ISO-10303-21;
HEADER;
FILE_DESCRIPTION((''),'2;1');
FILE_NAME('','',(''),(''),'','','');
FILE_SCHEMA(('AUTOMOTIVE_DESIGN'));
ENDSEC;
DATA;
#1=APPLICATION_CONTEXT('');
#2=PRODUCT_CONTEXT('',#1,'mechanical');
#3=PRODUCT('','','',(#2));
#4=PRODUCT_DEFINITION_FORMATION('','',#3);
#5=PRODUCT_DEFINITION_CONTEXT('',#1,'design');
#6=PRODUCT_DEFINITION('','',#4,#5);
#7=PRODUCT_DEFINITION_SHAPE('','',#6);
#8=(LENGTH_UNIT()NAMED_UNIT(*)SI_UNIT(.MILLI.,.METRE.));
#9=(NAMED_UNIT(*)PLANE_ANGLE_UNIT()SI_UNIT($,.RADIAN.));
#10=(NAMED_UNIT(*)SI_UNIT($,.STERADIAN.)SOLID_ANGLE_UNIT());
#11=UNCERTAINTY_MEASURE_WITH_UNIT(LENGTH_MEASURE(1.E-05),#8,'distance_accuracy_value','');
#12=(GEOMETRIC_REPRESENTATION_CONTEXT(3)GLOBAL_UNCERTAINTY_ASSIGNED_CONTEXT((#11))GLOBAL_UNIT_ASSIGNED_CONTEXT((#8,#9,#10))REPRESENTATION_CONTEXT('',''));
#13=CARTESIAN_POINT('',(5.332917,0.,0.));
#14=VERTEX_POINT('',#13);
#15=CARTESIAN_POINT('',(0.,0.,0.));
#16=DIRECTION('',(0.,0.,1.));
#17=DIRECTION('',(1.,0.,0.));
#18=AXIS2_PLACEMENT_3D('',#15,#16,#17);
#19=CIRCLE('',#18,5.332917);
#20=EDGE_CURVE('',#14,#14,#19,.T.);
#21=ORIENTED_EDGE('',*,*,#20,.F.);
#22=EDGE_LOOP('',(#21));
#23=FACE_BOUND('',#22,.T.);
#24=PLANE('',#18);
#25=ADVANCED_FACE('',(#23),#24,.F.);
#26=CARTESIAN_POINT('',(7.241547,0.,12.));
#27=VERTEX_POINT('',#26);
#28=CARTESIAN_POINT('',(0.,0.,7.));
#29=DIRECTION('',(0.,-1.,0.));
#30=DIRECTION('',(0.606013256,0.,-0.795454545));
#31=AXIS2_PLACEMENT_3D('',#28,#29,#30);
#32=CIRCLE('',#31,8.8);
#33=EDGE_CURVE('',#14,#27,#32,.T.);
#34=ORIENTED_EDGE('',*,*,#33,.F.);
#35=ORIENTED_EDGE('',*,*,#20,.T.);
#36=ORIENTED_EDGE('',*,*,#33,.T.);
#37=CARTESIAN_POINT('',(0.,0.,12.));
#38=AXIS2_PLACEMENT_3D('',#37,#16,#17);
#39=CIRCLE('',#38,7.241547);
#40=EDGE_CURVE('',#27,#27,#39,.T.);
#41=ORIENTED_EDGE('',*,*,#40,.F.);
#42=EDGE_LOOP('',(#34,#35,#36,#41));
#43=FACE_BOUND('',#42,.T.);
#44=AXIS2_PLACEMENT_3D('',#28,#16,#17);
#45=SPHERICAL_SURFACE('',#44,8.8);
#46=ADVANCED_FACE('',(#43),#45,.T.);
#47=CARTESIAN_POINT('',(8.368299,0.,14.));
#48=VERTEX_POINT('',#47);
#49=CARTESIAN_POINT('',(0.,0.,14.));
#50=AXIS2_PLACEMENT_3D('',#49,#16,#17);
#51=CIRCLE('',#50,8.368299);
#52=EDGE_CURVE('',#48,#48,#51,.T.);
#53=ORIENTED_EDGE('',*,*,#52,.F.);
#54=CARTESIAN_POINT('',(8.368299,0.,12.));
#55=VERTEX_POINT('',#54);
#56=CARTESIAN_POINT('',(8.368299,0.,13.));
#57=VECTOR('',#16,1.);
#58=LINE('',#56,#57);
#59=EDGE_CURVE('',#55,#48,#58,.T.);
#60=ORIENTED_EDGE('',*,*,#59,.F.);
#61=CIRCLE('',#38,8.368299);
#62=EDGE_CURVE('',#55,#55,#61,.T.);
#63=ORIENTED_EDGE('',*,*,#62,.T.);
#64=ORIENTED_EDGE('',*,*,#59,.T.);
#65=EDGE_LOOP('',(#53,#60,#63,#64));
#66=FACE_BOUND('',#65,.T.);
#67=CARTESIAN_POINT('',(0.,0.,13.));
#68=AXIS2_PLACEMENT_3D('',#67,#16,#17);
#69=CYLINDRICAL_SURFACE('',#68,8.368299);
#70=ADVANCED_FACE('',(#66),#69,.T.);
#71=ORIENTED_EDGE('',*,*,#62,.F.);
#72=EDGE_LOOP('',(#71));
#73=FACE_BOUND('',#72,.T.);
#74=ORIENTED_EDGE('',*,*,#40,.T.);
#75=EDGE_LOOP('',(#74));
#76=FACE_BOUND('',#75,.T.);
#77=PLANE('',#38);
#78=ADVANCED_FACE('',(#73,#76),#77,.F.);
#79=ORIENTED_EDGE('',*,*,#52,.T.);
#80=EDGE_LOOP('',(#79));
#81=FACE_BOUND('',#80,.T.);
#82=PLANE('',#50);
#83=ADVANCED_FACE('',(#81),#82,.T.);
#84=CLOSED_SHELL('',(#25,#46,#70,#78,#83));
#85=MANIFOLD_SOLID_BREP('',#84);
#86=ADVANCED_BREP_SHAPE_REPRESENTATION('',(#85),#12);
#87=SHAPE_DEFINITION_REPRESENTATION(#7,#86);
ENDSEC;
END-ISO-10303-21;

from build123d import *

# Parameters (mm, degrees)
F0_W   = 1.1267525466
F0_H   = 2
F0_W_2 = 7.2415467961


with BuildPart() as f1:
    # F0 (on Front) → F1 (revolve)
    with BuildSketch(Plane.XZ):
        with BuildLine():
            Line((0, 7), (0, 0))
            Line((0, 0), (5.3329166504, 0))
            ThreePointArc((5.3329166504, 0), (8.6907584676, 5.6177130333), (7.2415467961, 12))
            Line((7.2415467961, 12), (0, 12))
            Line((0, 12), (0, 7))
        make_face()
        with Locations((7.8049230694, 13)):
            Rectangle(F0_W, F0_H)
        with Locations((3.620773398, 13)):
            Rectangle(F0_W_2, F0_H)
    revolve(axis=Axis((0, 0, 10.5), (0, 0, 1)))


solid = f1.part
